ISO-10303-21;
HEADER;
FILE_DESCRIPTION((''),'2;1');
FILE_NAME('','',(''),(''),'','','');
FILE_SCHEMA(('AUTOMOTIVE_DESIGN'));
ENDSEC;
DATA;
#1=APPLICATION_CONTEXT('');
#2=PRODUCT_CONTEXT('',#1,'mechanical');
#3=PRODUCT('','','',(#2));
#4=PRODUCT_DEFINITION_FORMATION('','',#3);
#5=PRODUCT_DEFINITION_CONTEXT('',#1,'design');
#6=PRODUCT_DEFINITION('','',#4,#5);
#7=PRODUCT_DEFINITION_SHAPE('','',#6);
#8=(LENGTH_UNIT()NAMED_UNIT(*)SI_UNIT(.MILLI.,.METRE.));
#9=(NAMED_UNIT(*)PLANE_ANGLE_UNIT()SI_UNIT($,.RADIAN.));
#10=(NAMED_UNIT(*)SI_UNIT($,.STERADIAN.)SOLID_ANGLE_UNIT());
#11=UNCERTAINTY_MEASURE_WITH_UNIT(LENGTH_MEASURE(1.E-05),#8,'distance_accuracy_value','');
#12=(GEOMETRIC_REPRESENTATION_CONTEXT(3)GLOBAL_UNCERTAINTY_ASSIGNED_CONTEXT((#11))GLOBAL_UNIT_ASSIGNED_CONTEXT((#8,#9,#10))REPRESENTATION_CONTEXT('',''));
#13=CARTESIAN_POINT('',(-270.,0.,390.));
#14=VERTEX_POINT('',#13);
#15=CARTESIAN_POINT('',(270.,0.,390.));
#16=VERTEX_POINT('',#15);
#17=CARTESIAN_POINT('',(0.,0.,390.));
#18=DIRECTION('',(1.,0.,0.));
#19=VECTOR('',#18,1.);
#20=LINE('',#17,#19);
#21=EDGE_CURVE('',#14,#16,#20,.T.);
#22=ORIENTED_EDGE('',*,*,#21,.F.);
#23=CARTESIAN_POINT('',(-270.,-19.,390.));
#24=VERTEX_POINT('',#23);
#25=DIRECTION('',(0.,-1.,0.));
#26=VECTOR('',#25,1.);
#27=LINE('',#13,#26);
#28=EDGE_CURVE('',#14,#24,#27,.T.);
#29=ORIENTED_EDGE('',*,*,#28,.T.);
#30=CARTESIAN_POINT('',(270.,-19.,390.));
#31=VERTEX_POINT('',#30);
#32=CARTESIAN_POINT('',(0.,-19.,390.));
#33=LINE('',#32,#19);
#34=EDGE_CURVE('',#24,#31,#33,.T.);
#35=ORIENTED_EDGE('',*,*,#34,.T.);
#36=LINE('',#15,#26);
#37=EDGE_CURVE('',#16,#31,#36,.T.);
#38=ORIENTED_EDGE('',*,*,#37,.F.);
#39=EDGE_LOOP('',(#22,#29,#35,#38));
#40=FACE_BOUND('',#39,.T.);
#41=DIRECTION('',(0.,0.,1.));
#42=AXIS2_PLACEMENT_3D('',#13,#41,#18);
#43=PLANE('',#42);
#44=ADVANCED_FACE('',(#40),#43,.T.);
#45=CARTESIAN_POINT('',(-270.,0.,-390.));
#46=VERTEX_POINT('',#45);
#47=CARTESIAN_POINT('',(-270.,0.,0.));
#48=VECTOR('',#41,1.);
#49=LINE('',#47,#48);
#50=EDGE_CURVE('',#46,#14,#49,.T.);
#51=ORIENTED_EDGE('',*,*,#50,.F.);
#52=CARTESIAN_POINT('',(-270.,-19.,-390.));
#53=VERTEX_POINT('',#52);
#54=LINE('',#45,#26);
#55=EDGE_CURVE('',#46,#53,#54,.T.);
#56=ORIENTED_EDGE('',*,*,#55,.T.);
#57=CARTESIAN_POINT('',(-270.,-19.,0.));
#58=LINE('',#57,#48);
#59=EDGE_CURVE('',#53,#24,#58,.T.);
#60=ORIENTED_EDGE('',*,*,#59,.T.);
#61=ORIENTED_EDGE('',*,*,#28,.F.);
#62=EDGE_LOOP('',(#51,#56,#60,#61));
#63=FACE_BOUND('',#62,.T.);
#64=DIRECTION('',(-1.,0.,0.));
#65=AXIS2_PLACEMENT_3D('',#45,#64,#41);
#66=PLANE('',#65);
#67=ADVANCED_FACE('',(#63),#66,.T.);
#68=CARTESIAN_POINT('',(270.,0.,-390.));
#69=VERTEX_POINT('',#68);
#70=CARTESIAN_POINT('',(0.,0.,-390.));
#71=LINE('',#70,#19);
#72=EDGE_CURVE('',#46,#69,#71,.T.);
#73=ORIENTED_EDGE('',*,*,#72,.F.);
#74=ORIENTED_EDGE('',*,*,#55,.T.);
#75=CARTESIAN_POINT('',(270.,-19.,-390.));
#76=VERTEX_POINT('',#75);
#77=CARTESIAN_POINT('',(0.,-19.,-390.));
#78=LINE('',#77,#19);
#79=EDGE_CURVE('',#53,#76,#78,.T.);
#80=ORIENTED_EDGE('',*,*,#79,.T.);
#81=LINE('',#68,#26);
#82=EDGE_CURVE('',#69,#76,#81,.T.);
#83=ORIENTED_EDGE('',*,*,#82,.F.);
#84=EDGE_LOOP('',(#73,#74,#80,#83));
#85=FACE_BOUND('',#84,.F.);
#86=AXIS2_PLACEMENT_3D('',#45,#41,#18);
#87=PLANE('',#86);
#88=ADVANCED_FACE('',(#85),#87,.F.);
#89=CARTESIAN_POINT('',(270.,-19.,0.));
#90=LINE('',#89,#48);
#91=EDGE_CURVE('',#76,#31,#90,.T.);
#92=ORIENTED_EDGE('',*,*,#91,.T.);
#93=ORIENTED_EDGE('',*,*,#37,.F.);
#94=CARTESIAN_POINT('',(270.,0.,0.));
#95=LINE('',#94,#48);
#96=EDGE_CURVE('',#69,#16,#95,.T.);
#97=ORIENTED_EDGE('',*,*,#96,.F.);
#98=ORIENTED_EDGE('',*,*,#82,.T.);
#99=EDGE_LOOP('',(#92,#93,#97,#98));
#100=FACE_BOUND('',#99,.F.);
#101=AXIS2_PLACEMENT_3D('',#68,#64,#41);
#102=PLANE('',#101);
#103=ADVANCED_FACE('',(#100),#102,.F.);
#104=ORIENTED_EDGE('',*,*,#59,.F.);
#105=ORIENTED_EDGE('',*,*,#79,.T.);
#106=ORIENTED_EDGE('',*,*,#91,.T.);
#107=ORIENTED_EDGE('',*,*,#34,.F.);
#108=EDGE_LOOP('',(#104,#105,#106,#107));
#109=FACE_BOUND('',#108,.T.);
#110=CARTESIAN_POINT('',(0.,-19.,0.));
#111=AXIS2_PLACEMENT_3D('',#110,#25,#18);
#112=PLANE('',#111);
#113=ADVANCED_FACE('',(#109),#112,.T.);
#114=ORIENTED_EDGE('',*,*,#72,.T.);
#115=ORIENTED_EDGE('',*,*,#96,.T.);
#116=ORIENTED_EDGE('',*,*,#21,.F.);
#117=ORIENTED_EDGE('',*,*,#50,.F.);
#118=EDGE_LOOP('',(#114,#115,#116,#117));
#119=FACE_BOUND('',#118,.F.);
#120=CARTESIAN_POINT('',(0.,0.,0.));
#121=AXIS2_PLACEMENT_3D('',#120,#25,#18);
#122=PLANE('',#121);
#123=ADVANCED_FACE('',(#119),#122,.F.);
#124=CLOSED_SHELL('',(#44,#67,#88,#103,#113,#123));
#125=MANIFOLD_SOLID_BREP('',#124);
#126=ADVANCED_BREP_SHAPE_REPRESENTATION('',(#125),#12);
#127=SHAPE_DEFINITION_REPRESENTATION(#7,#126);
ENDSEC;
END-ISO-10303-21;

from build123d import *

# Parameters (mm, degrees)
SKETCH004_W  = 540
SKETCH004_H  = 780
PAD004_DEPTH = 19


with BuildPart() as part:
    # Sketch004 → Pad004 (new body)
    with BuildSketch(Plane.XZ):
        Rectangle(SKETCH004_W, SKETCH004_H)
    extrude(amount=PAD004_DEPTH)


solid = part.part
